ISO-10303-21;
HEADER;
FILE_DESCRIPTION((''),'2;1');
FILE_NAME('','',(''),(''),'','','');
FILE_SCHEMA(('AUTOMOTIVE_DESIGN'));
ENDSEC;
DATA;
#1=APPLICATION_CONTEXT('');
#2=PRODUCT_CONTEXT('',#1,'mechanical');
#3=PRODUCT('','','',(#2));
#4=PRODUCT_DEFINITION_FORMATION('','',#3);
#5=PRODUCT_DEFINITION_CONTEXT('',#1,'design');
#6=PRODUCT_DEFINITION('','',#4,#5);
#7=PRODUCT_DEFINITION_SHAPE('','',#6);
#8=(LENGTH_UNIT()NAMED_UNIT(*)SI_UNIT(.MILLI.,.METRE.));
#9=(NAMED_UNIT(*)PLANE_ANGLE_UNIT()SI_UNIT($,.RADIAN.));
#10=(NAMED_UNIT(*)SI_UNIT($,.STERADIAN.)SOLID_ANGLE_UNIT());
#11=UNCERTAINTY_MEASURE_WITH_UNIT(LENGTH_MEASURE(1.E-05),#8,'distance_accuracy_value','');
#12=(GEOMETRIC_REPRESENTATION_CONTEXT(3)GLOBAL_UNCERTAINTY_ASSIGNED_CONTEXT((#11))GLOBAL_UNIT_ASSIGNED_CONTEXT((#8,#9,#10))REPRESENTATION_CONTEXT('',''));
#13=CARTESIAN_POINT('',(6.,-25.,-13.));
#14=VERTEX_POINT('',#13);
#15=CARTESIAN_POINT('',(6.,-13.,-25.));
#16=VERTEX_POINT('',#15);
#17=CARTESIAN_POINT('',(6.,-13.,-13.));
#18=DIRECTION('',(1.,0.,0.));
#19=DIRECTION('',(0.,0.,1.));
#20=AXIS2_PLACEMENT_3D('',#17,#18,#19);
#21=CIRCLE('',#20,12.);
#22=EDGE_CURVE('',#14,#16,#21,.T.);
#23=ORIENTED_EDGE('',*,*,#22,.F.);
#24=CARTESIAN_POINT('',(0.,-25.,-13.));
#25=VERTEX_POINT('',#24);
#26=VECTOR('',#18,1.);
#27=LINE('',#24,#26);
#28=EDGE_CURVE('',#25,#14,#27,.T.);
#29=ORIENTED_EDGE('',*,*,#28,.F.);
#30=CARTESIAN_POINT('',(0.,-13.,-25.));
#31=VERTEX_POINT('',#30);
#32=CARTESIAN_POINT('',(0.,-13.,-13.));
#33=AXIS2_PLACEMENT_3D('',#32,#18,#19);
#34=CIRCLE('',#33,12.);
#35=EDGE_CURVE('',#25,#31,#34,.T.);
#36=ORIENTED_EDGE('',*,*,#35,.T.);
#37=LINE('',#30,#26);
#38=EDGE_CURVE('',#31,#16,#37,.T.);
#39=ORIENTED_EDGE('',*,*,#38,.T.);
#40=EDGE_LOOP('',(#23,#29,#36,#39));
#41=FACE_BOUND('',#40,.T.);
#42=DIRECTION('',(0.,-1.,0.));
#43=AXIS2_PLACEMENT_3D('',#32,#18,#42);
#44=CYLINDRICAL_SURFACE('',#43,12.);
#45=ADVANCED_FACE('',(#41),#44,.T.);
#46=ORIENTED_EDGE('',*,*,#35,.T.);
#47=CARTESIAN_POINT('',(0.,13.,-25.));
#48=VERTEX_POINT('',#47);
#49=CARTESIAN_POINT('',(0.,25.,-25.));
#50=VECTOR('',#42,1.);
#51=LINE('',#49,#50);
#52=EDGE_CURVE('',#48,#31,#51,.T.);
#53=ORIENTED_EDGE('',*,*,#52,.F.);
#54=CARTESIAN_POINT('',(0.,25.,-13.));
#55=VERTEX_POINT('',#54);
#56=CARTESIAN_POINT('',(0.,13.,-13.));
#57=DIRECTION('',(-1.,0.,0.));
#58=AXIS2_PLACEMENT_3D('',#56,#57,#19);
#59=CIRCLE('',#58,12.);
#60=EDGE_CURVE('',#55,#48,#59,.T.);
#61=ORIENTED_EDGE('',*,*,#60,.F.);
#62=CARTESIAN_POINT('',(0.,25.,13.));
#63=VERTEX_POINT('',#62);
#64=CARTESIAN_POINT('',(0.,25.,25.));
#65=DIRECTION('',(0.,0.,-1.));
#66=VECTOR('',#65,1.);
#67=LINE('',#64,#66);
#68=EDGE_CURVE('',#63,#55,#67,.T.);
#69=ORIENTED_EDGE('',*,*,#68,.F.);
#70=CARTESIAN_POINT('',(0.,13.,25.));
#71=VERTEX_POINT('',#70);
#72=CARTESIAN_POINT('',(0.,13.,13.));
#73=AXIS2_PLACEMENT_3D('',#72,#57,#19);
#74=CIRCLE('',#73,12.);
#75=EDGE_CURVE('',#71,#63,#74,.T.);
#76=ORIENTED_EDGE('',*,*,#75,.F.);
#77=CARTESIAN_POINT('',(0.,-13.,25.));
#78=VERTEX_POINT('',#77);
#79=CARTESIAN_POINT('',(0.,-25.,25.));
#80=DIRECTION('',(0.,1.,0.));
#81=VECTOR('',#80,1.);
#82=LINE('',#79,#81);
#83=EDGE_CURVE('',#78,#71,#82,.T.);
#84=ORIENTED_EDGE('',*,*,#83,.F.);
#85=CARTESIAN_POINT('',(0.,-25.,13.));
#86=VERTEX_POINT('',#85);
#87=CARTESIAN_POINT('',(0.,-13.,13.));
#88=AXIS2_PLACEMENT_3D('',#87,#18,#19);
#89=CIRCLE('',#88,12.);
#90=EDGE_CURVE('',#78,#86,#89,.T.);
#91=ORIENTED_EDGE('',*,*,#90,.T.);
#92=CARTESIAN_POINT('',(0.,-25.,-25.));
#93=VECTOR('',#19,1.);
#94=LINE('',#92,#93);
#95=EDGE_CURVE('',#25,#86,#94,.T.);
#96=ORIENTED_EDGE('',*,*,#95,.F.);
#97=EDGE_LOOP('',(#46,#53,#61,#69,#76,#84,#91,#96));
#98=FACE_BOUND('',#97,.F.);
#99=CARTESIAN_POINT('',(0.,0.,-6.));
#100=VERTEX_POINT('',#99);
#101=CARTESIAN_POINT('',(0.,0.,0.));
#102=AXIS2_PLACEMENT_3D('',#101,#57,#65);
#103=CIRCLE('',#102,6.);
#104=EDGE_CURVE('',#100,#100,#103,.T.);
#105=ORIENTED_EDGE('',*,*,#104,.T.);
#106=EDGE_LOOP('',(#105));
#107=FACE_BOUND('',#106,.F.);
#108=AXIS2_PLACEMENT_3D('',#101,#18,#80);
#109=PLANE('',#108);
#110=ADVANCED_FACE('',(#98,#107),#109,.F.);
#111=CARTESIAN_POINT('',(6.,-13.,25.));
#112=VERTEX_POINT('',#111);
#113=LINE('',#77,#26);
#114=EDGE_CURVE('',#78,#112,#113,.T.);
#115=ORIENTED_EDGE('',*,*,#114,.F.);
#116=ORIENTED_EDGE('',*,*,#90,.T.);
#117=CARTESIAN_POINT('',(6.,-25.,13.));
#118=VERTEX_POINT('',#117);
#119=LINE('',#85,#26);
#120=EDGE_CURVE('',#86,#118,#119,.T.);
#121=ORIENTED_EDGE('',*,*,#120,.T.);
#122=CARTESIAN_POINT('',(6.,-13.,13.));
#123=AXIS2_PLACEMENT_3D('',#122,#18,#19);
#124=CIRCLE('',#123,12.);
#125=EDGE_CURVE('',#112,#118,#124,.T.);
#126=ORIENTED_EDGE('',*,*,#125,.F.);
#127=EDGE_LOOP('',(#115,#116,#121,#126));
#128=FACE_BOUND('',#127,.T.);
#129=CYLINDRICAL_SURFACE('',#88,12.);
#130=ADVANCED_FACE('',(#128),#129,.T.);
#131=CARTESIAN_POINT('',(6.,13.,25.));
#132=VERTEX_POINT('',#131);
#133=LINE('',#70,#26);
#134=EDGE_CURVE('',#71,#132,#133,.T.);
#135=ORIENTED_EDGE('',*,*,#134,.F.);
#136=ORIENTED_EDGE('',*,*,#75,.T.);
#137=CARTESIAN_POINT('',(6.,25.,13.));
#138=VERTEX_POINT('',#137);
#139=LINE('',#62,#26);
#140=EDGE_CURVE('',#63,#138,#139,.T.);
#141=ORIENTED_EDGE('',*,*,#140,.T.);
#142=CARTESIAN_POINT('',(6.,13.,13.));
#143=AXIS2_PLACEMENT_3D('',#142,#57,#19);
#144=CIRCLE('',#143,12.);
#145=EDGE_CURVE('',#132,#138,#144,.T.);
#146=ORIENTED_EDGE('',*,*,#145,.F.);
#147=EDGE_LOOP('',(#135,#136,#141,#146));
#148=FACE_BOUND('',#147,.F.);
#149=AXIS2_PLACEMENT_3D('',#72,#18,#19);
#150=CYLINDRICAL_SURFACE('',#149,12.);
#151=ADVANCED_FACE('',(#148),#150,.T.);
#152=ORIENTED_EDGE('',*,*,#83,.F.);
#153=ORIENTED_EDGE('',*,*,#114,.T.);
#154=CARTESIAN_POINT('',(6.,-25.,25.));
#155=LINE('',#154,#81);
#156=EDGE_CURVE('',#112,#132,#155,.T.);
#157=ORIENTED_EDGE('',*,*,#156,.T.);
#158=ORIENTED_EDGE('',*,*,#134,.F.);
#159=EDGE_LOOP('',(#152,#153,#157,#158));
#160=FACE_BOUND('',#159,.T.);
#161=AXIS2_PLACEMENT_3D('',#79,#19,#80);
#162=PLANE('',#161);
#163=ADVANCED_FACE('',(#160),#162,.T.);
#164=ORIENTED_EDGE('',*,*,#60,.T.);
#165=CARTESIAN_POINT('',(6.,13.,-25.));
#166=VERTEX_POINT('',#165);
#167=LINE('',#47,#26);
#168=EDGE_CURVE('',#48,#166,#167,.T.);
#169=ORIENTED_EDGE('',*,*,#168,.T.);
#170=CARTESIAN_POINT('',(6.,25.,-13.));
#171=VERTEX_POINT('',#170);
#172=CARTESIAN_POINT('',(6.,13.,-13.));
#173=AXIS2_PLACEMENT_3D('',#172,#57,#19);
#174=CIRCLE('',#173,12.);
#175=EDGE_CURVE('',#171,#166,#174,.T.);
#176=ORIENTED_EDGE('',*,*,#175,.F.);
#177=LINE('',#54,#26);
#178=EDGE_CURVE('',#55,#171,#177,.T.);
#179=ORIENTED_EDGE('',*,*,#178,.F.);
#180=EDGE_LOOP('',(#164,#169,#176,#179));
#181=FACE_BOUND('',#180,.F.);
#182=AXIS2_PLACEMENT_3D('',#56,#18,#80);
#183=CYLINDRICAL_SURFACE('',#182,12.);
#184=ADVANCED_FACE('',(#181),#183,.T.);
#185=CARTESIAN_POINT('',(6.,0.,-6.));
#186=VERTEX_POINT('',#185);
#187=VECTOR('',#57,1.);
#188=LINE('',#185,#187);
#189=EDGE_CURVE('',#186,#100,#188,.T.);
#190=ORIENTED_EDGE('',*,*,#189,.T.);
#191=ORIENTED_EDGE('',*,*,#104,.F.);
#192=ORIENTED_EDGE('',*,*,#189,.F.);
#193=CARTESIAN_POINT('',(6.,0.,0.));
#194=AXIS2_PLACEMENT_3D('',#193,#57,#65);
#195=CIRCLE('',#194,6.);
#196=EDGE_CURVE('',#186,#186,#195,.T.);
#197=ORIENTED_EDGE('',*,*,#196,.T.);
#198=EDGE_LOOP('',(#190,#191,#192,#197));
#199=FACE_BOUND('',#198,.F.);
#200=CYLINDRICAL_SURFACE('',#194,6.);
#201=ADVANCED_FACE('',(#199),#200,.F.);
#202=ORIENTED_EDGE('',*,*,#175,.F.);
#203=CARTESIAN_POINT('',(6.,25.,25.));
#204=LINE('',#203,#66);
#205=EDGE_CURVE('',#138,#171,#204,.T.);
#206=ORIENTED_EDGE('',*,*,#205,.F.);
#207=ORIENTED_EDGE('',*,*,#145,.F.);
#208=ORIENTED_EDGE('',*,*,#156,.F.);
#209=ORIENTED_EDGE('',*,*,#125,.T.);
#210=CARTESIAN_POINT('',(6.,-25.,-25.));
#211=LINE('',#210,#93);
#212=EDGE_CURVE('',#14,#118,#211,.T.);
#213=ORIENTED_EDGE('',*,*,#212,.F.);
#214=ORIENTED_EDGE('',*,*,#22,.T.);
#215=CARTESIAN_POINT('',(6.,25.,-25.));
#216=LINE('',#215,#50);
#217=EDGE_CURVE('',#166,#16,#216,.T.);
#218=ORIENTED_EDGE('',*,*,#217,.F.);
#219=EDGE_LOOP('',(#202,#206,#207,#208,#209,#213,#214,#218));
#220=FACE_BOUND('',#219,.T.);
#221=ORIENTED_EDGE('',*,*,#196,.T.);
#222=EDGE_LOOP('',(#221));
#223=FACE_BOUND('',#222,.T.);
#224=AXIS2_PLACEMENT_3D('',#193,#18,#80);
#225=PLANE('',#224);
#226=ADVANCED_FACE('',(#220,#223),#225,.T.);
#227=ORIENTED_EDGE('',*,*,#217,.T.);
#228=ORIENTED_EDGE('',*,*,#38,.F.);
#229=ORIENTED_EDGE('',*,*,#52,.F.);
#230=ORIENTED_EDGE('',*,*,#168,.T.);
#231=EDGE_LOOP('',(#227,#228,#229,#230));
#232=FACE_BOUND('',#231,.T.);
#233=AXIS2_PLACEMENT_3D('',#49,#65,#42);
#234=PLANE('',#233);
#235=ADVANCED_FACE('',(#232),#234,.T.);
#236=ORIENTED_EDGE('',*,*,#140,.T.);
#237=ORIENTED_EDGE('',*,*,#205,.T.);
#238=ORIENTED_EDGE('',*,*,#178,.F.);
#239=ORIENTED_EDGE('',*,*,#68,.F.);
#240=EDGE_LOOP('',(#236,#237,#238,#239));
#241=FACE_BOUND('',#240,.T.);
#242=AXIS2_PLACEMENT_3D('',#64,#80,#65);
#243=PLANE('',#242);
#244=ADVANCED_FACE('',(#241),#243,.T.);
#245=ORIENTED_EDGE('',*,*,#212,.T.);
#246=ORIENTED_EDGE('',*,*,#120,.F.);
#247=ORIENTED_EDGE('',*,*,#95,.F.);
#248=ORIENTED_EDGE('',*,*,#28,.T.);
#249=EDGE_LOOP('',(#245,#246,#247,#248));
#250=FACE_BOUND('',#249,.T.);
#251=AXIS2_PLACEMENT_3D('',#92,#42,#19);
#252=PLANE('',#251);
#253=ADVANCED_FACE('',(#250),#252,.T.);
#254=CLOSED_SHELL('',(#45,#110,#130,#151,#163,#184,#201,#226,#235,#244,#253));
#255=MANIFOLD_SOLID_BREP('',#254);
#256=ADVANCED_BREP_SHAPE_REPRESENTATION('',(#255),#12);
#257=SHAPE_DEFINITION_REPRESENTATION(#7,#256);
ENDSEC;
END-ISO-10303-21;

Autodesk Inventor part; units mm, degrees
ref_plane "YZ Plane" through (0, 0, 0) normal (1, 0, 0) x (0, 1, 0)
ref_plane "XZ Plane" through (0, 0, 0) normal (0, 1, 0) x (-1, 0, 0)
ref_plane "XY Plane" through (0, 0, 0) normal (0, 0, 1) x (1, 0, 0)
sketch "Sketch1" plane through (0, 0, 0) normal (1, 0, 0) x (0, 1, 0)
  line L0 (-25, 25) -> (25, 25)
  line L1 (25, 25) -> (25, -25)
  line L2 (25, -25) -> (-25, -25)
  line L3 (-25, -25) -> (-25, 25)
  point P0 (0, 0)
  dimension "d0" = 50
  dimension "d1" = 50
  dimension "d2" = 25
  dimension "d3" = 25
extrude "Extrusion1" add sketch "Sketch1" along normal blind 6
sketch "Sketch2" plane through (6, 0, 0) normal (1, 0, 0) x (0, 0, -1)
  point P0 (0, 0)
  point P1 (0, 0)
hole "Hole1" at (6, 0, 0) direction (-1, 0, 0) diameter 12 end through all
fillet "Fillet2" radius 12 4 edges at (3, 25, 25) (3, 25, -25) (3, -25, -25) (3, -25, 25)
equation "\"d0\" = hoop_tabs_width"
equation "\"d1\" = hoop_tabs_width"
equation "\"d2\" = 0.5 * d1"
equation "\"d3\" = 0.5 * d0"
equation "\"d4\" = hoop_tabs_thickness"
equation "\"d6\" = hoop_tabs_hole"
equation "\"d14\" = hoop_tabs_hole"
equation "\"hoop_tabs_width\" = 50"
equation "\"hoop_tabs_thickness\" = 6"
equation "\"hoop_tabs_hole\" = 12"
equation "\"hoop_angle_z\" = 45deg"
equation "\"hoop_bearing_length\" = 5deg"
equation "\"hoop_cable_diam\" = 5"
equation "\"hoop_cable_pulley_diam\" = 22"
equation "\"hoop_thickness_large\" = 4"
equation "\"hoop_thickness_medium\" = 3.2"
equation "\"hoop_thickness_small\" = 2"
equation "\"hoop_width_large\" = 51"
equation "\"hoop_width_medium\" = 33.7"
equation "\"hoop_width_small\" = 25.4"
equation "\"rack_tooth_addendum\" = 5"
equation "\"rack_tooth_dedendum\" = 5"
equation "\"rack_tooth_thickness\" = 5"
equation "\"secure_arm_angle\" = 35deg"
equation "\"secure_arm_radii\" = 9"
equation "\"support_baseClamp_platformLengthBuffer\" = 35"
equation "\"support_baseClamp_platformThickness\" = 15"
equation "\"support_baseClamp_platformWidthBuffer\" = 0"
equation "\"support_baseClamp_sleeveHoleDiameter\" = 12"
equation "\"support_baseClamp_sleeveSweepTerminationAngle\" = 55deg"
equation "\"support_baseClamp_thickness\" = 8"
equation "\"support_frame_endHoleBuffer\" = 45"
equation "\"support_frame_squareBarFillet\" = 2"
equation "\"support_frame_squareBarThickness\" = 5"
equation "\"wheelchair_deployed_width\" = 635"
equation "\"wheelchair_deployed_length\" = 1067"
equation "\"wheelchair_deployed_height\" = 914"
equation "\"sm_varx_squareBarThickness\" = 2.5"
equation "\"sm_varx_pinPlate_thickness\" = 5"
equation "\"sm_varx_pinPlate_holeDiameter\" = 5"
equation "\"sm_varx_member_tolerance\" = 0"
equation "\"hoop_bushing12_radialInterference\" = 0"
equation "\"hoop_bushing23_radialInterference\" = 0"
equation "\"hoop_bushing23_od\" = -2 * hoop_thickness_medium + hoop_width_medium + hoop_bushing23_radialInterference"
equation "\"hoop_bushing12_od\" = -2 * hoop_thickness_large + hoop_width_large + hoop_bushing12_radialInterference"
equation "\"wheelchatir_pos_deploy_angle_0\" = 65deg"
equation "\"wheelchatir_pos_store_angle_0\" = 90deg"
equation "\"wheelchatir_pos_deploy_angle_1\" = 20deg"
equation "\"wheelchatir_pos_store_angle_1\" = 20deg"
equation "\"hoop_bushing12_thickness\" = -hoop_width_medium + hoop_bushing12_od - 2 * hoop_bushing12_radialInterference"
equation "\"hoop_bushing23_thickness\" = -hoop_width_small + hoop_bushing23_od - 2 * hoop_bushing23_radialInterference"
properties part number "hoop_tab" material "Steel, Mild"
